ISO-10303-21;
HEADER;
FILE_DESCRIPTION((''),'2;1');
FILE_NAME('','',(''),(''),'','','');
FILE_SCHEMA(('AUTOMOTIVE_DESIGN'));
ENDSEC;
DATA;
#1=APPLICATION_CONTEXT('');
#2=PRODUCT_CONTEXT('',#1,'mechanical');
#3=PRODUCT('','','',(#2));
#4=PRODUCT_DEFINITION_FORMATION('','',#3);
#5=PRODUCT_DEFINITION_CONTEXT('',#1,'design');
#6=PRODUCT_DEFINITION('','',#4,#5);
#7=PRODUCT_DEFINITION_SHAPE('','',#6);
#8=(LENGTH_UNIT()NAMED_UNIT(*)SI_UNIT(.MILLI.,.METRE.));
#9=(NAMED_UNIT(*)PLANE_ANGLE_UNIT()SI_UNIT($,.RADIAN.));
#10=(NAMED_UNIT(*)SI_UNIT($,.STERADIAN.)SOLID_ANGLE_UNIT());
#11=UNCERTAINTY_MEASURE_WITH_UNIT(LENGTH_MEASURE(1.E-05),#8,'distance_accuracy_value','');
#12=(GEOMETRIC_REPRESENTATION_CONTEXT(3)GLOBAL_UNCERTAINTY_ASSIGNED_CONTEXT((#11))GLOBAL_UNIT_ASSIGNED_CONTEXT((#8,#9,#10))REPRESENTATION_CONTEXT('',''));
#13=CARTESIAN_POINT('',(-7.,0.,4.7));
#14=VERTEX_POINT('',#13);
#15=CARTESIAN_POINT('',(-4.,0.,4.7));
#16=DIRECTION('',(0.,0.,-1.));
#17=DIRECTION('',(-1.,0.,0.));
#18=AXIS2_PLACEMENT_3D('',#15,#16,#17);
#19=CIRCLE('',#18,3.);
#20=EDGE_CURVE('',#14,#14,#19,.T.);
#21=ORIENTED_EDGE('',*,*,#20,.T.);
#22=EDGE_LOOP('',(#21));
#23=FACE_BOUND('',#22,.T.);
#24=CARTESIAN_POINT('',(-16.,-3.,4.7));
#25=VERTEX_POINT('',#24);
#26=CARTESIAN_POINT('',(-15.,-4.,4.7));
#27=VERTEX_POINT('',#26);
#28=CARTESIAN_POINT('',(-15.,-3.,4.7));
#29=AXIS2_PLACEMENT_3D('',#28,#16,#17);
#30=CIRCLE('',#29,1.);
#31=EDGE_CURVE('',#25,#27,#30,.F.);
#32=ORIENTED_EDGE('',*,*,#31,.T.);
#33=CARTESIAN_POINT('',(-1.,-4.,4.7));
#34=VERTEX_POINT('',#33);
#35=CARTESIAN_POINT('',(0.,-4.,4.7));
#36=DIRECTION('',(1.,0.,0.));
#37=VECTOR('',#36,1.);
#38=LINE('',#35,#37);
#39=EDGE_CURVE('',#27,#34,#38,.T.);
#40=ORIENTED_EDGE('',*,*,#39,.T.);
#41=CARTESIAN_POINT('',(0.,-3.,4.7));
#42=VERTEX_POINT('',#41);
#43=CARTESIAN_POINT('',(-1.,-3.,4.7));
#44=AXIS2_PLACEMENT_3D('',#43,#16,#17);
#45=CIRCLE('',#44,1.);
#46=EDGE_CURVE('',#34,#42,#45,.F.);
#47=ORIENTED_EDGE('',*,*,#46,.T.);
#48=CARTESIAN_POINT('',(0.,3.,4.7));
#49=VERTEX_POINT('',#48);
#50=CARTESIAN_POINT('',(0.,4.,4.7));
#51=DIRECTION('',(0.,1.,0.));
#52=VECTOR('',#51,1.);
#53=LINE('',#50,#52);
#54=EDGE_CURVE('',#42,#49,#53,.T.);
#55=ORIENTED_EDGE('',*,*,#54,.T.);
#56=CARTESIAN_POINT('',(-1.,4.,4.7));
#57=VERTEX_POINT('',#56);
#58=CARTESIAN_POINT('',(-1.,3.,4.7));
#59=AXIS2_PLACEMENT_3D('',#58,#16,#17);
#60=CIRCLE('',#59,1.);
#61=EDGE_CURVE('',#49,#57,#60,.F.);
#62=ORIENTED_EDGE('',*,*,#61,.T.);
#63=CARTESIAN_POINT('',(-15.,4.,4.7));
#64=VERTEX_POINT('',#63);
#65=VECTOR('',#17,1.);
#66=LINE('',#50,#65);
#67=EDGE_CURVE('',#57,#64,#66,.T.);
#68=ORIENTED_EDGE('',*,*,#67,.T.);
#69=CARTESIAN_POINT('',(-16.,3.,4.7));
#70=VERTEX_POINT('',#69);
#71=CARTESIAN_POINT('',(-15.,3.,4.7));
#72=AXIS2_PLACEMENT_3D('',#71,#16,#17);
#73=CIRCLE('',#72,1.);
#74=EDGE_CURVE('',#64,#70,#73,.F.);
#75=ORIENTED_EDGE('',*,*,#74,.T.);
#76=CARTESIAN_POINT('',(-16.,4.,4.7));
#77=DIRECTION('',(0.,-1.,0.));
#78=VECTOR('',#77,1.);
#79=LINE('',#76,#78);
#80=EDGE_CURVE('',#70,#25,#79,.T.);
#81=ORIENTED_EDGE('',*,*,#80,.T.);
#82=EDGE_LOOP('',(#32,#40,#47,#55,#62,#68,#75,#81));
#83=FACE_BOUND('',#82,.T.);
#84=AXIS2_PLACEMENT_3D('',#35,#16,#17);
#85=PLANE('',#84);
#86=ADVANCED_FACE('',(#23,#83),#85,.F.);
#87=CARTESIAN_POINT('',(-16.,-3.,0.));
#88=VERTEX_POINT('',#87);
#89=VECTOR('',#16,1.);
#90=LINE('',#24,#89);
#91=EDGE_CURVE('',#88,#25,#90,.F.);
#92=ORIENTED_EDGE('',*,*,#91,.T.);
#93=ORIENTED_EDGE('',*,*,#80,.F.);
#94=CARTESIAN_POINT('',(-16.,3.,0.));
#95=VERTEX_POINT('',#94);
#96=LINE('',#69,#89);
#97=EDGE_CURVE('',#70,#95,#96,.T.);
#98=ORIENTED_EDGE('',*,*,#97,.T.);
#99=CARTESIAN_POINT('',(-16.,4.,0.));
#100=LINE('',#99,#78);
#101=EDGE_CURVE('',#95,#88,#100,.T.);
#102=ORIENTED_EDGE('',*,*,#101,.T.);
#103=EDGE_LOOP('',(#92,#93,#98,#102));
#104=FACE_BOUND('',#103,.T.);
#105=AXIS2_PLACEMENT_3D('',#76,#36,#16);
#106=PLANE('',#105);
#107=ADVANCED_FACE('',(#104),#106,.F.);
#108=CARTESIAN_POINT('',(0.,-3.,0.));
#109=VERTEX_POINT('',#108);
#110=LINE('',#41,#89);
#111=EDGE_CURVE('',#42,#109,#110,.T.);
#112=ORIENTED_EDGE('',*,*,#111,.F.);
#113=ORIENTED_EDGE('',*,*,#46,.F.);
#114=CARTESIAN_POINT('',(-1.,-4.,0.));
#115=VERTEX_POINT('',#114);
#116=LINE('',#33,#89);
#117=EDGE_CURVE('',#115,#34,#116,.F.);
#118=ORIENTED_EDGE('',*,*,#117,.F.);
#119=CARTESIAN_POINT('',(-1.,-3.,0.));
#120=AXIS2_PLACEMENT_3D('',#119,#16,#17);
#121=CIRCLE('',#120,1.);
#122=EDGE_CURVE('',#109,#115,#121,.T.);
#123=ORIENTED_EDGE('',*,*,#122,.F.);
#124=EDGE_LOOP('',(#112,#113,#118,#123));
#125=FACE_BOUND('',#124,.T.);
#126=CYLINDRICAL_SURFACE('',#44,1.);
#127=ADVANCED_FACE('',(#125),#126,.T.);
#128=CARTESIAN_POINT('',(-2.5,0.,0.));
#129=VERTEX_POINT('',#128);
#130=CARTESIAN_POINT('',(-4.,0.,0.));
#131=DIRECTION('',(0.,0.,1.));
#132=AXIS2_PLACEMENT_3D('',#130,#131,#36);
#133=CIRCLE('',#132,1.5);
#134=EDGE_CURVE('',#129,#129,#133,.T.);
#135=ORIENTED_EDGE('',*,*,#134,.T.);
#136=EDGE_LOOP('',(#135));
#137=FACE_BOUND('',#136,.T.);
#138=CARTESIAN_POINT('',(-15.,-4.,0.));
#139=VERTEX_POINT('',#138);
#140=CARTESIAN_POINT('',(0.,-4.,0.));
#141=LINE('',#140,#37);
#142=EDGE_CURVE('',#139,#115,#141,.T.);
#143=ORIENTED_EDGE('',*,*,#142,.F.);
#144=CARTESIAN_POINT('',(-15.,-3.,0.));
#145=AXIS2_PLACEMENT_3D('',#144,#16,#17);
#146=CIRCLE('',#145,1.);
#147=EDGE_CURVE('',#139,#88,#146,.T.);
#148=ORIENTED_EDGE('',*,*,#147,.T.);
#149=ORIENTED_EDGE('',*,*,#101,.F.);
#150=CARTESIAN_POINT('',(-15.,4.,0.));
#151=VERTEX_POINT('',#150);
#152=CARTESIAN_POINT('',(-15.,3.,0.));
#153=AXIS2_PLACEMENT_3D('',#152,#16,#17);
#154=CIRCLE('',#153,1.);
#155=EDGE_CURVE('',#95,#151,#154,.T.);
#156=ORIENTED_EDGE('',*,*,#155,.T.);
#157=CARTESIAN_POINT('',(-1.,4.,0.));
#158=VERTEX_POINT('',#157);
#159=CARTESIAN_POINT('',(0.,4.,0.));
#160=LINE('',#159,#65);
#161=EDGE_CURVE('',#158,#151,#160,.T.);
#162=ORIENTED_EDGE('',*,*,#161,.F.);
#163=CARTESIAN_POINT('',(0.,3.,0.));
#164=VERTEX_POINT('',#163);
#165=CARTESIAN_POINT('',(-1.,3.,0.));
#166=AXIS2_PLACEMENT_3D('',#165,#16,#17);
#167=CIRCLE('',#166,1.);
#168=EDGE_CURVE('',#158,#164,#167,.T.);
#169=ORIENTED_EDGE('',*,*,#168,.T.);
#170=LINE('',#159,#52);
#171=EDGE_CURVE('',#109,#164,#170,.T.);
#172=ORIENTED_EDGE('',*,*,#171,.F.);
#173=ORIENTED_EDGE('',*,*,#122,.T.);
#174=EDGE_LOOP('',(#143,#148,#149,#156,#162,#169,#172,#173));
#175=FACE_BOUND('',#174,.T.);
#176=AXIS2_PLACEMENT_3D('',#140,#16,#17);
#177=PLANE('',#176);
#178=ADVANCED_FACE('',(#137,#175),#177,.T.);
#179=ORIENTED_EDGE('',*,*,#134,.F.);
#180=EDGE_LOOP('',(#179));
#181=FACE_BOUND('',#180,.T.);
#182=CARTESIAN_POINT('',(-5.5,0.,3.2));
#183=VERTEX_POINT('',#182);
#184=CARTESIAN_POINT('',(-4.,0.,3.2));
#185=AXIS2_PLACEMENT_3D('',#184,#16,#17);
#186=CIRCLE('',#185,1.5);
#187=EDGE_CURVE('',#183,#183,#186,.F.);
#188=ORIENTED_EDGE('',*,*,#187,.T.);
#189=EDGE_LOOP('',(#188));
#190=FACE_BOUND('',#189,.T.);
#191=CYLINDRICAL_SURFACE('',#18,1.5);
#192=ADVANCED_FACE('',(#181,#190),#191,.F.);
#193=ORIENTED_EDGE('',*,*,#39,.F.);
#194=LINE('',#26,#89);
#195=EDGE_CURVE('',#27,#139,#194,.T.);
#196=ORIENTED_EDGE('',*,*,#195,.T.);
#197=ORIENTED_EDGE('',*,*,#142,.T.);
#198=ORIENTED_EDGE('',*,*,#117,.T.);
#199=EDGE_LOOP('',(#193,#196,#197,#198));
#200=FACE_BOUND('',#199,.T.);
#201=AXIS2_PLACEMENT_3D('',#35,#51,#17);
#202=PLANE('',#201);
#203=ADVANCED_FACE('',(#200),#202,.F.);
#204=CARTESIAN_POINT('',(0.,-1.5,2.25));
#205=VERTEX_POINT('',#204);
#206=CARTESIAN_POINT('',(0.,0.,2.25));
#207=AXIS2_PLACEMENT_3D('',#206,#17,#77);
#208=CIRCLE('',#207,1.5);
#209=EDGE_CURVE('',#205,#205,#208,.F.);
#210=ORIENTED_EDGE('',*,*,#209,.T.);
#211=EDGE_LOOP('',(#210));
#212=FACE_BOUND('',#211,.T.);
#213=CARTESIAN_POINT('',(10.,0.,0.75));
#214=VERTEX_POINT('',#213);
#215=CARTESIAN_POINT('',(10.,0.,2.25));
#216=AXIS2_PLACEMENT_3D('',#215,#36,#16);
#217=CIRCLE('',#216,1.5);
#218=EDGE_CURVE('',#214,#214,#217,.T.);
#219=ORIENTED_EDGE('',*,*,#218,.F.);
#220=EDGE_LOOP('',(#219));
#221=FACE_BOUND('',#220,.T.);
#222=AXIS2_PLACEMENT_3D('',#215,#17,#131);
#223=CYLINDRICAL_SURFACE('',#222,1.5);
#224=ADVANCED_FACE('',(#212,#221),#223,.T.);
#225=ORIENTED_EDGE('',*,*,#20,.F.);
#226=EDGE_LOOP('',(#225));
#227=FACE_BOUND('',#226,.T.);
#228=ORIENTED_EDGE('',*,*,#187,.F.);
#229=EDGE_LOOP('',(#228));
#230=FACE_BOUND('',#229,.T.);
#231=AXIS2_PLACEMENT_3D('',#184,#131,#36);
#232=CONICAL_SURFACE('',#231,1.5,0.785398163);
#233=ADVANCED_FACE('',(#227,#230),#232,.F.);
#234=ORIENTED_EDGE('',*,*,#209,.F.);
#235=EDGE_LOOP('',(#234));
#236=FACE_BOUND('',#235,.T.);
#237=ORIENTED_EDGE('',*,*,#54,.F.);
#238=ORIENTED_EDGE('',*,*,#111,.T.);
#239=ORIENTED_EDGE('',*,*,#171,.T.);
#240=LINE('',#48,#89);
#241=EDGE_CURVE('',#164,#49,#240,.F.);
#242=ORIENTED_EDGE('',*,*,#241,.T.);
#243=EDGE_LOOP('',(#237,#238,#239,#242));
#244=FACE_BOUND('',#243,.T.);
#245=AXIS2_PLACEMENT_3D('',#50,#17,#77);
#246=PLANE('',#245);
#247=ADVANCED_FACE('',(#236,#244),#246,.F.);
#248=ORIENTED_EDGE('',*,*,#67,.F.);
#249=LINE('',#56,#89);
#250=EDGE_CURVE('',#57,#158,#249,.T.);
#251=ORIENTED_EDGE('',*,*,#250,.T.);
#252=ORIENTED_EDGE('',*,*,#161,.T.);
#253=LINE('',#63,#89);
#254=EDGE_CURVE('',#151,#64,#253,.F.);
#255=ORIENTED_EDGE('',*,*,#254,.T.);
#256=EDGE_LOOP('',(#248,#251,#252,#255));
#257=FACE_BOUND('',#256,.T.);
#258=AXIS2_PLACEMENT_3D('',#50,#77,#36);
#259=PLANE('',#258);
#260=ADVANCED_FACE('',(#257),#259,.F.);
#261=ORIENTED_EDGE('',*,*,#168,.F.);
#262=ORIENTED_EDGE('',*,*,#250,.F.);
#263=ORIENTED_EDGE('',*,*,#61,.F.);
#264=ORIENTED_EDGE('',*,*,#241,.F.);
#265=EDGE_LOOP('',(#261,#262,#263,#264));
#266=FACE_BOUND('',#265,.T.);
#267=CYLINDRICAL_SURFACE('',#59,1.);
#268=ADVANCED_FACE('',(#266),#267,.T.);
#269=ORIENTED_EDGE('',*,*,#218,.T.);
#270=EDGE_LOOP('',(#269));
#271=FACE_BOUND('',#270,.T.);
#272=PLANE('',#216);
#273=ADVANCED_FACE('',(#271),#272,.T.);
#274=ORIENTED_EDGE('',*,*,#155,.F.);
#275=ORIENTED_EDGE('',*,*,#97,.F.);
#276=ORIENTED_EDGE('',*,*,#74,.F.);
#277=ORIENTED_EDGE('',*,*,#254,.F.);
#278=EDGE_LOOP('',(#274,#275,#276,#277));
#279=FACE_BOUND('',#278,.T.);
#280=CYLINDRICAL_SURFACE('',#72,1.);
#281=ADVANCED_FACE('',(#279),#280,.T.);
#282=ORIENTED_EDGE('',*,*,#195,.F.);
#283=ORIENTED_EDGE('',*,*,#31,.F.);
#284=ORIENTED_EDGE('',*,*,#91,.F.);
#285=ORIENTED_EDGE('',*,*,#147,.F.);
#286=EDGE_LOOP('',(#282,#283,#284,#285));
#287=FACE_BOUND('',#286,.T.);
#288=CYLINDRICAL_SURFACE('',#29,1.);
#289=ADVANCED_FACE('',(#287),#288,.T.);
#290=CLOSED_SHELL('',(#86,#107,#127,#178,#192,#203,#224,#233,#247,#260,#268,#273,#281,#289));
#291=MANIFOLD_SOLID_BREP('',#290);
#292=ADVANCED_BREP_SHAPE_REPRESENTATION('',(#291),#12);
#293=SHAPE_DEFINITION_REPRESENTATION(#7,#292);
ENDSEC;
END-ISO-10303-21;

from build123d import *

# Parameters (mm, degrees)
SKIZZE1_W                       = 16
SKIZZE1_H                       = 8
SKIZZE1_R                       = 1.5
AUFSATZ_LINEAR_AUSTRAGEN1_DEPTH = 4.7
VERRUNDUNG1_R                   = 1
FASE1_SIZE                      = 1.5
SKIZZE2_R                       = 1.5
AUFSATZ_LINEAR_AUSTRAGEN2_DEPTH = 10


with BuildPart() as part:
    # Skizze1 → Aufsatz-Linear austragen1 (new body)
    with BuildSketch(Plane.XY):
        with Locations((-8, 0)):
            Rectangle(SKIZZE1_W, SKIZZE1_H)
        with Locations((-4, 0)):
            Circle(SKIZZE1_R, mode=Mode.SUBTRACT)
    extrude(amount=AUFSATZ_LINEAR_AUSTRAGEN1_DEPTH)

    # Verrundung1
    verrundung1_edges = [part.edges().sort_by_distance(p)[0] for p in [
        (0, -4, 2.35),
        (-16, -4, 2.35),
        (-16, 4, 2.35),
        (0, 4, 2.35),
    ]]
    fillet(verrundung1_edges, radius=VERRUNDUNG1_R)

    # Fase1
    fase1_edges = [part.edges().sort_by_distance(p)[0] for p in [
        (-5.5, 0, 4.7),
    ]]
    chamfer(fase1_edges, length=FASE1_SIZE)

    # Skizze2 → Aufsatz-Linear austragen2 (add)
    with BuildSketch(Plane(origin=(0, 0, 0), x_dir=(0, 0, -1), z_dir=(1, 0, 0))):
        with Locations((-2.25, 0)):
            Circle(SKIZZE2_R)
    extrude(amount=AUFSATZ_LINEAR_AUSTRAGEN2_DEPTH)


solid = part.part
